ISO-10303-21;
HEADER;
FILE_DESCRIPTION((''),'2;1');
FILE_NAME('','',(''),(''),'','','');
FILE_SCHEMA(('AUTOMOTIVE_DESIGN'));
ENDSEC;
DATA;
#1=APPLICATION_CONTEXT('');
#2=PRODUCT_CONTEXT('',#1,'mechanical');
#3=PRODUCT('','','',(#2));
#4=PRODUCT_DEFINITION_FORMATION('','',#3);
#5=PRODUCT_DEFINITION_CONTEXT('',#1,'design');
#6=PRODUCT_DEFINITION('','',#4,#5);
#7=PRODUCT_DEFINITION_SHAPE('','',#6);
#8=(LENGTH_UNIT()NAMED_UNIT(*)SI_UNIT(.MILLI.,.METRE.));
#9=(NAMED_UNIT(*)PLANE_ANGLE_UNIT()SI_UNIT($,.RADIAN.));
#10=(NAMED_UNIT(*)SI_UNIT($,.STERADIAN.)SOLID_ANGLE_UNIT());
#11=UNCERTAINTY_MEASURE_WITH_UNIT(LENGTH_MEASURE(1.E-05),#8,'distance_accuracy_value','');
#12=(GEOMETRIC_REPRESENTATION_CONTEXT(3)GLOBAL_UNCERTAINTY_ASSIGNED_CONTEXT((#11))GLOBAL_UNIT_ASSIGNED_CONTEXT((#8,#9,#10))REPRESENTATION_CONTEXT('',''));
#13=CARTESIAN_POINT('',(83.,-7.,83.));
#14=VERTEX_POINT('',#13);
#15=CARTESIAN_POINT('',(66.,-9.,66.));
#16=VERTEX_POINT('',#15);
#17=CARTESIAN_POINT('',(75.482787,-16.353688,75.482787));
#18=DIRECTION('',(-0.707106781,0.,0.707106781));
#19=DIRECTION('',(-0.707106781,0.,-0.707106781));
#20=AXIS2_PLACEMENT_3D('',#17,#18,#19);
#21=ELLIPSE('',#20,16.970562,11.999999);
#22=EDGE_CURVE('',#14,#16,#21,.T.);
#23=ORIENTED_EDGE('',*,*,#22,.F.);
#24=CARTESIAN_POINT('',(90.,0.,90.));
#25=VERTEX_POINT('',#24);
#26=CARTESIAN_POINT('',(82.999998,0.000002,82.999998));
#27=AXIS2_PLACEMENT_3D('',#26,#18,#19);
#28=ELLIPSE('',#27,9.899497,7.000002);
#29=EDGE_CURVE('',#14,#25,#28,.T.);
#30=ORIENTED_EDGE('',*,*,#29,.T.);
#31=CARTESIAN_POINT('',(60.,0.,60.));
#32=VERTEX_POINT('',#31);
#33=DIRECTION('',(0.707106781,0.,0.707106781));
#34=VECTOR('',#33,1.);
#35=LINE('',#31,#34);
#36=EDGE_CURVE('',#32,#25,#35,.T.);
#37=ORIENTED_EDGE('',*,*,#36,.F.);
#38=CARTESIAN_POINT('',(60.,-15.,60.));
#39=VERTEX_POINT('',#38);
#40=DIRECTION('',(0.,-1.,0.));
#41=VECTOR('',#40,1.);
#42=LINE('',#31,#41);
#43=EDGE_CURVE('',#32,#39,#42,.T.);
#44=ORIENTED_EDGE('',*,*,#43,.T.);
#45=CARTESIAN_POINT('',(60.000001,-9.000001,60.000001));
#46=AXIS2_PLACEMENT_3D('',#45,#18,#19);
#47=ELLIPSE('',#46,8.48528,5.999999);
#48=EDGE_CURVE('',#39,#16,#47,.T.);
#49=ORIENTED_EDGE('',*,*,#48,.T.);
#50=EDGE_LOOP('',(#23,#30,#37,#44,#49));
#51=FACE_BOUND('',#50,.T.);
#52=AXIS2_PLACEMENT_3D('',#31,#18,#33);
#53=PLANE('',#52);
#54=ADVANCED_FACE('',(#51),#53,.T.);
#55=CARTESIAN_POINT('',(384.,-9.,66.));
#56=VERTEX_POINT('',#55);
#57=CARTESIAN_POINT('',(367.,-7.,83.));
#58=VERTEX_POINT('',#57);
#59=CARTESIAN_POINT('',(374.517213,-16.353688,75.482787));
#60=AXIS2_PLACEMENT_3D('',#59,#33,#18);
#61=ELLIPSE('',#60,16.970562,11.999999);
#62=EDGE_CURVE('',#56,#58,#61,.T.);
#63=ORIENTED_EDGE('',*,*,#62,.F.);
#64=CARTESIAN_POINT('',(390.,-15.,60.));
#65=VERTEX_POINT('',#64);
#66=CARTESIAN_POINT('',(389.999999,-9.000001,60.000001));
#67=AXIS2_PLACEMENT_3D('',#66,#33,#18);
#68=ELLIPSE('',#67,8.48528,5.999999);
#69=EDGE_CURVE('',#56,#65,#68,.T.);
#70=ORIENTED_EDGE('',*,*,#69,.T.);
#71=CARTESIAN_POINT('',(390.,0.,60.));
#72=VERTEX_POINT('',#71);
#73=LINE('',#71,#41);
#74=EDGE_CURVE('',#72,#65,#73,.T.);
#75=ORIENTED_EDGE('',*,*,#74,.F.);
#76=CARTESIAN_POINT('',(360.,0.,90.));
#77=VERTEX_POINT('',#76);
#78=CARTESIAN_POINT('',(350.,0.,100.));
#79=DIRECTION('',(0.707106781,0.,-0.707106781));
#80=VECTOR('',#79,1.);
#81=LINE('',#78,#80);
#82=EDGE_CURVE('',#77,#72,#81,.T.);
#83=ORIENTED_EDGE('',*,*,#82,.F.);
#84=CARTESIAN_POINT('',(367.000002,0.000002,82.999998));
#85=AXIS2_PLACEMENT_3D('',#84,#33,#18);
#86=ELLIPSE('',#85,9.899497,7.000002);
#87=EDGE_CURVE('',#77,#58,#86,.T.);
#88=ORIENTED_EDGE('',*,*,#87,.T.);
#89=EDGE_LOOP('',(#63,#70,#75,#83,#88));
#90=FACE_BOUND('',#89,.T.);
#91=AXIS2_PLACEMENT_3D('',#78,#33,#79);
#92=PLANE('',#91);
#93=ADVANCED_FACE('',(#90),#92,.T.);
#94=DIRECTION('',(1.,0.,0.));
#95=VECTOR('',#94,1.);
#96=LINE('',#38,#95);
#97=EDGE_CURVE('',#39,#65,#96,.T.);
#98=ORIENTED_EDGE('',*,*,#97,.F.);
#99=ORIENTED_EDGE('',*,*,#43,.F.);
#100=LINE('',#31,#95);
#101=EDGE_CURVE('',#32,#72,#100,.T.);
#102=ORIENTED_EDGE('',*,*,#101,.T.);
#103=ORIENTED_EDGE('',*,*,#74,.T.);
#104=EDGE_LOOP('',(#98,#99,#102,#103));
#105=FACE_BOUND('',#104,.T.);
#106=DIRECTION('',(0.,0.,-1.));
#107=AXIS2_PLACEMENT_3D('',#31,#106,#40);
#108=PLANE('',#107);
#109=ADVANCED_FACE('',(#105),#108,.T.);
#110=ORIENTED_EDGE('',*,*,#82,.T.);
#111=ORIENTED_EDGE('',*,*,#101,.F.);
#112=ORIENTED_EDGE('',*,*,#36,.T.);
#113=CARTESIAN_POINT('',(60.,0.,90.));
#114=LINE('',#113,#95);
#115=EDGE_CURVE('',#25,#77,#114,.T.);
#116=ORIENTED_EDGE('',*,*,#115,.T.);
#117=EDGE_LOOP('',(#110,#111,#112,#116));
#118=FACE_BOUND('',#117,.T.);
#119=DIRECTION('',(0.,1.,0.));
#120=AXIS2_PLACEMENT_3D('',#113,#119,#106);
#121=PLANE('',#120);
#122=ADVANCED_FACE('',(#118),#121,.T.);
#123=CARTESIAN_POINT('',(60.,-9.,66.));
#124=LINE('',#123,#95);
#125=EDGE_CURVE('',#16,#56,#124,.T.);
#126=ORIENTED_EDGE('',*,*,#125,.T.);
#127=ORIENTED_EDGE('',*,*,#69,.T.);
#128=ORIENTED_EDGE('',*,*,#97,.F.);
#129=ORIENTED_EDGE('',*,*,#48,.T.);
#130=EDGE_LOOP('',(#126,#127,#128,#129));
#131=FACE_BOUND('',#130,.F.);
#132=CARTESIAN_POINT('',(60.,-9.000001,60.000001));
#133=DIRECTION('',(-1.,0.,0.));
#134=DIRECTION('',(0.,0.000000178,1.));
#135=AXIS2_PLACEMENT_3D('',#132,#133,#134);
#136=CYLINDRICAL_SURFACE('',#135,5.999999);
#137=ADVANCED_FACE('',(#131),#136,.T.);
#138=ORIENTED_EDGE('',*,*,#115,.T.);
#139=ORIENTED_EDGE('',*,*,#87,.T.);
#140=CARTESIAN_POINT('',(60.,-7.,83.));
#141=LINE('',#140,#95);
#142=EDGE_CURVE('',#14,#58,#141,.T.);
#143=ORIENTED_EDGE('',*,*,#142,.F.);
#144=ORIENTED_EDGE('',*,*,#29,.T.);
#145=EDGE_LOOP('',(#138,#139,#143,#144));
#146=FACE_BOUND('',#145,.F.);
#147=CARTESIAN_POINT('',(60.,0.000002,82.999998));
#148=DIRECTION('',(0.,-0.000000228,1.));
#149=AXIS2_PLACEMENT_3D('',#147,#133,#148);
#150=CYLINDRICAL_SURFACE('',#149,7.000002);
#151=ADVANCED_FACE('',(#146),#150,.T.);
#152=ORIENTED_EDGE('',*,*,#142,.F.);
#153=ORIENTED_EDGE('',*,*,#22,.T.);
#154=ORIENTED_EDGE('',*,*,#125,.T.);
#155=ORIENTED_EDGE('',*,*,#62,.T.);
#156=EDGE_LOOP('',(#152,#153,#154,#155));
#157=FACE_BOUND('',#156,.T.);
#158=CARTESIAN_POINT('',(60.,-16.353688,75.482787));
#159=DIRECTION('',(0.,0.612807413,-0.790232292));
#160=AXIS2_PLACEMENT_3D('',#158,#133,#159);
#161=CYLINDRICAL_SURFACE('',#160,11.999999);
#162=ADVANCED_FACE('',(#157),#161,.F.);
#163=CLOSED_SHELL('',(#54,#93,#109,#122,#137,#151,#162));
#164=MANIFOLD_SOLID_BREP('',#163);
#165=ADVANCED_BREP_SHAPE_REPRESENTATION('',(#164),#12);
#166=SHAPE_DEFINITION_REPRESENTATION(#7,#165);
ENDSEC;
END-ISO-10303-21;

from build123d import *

# Parameters (mm, degrees)
PAD021_DEPTH = 40
PAD020_DEPTH = 40
PAD019_DEPTH = 330


with BuildPart() as body_decoration_bottom_cut_right002:
    # Sketch021 → Pad021 (new body)
    with BuildSketch(Plane(origin=(390, 0, 60), x_dir=(1, 0, 0), z_dir=(0, -1, 0))):
        Polygon((-40, 40), (0, 0), (0, 40), align=None)
    extrude(amount=PAD021_DEPTH)


with BuildPart() as body_decoration_bottom_cut_left002:
    # Sketch020 → Pad020 (new body)
    with BuildSketch(Plane(origin=(60, 0, 60), x_dir=(1, 0, 0), z_dir=(0, -1, 0))):
        Polygon((0, 0), (40, 40), (0, 40), align=None)
    extrude(amount=PAD020_DEPTH)


with BuildPart() as cut_decoration_bottom002:
    # Sketch019 → Pad019 (new body)
    with BuildSketch(Plane(origin=(60, 0, 60), x_dir=(0, 1, 0), z_dir=(1, 0, 0))):
        with BuildLine():
            Line((0, 30), (0, 0))
            Line((0, 0), (-15, 0))
            ThreePointArc((-9, 6), (-13.242641, 4.242641), (-15, 0))
            ThreePointArc((-9, 6), (-4.435882, 14.080692), (-7, 23))
            ThreePointArc((0, 30), (-4.949747, 27.949747), (-7, 23))
        make_face()
    extrude(amount=PAD019_DEPTH)

    # Cut008: cut Body, Decoration, Bottom, Cut, Left002
    add(body_decoration_bottom_cut_left002.part, mode=Mode.SUBTRACT)

    # Cut009: cut Body, Decoration, Bottom, Cut, Right002
    add(body_decoration_bottom_cut_right002.part, mode=Mode.SUBTRACT)


solid = cut_decoration_bottom002.part
